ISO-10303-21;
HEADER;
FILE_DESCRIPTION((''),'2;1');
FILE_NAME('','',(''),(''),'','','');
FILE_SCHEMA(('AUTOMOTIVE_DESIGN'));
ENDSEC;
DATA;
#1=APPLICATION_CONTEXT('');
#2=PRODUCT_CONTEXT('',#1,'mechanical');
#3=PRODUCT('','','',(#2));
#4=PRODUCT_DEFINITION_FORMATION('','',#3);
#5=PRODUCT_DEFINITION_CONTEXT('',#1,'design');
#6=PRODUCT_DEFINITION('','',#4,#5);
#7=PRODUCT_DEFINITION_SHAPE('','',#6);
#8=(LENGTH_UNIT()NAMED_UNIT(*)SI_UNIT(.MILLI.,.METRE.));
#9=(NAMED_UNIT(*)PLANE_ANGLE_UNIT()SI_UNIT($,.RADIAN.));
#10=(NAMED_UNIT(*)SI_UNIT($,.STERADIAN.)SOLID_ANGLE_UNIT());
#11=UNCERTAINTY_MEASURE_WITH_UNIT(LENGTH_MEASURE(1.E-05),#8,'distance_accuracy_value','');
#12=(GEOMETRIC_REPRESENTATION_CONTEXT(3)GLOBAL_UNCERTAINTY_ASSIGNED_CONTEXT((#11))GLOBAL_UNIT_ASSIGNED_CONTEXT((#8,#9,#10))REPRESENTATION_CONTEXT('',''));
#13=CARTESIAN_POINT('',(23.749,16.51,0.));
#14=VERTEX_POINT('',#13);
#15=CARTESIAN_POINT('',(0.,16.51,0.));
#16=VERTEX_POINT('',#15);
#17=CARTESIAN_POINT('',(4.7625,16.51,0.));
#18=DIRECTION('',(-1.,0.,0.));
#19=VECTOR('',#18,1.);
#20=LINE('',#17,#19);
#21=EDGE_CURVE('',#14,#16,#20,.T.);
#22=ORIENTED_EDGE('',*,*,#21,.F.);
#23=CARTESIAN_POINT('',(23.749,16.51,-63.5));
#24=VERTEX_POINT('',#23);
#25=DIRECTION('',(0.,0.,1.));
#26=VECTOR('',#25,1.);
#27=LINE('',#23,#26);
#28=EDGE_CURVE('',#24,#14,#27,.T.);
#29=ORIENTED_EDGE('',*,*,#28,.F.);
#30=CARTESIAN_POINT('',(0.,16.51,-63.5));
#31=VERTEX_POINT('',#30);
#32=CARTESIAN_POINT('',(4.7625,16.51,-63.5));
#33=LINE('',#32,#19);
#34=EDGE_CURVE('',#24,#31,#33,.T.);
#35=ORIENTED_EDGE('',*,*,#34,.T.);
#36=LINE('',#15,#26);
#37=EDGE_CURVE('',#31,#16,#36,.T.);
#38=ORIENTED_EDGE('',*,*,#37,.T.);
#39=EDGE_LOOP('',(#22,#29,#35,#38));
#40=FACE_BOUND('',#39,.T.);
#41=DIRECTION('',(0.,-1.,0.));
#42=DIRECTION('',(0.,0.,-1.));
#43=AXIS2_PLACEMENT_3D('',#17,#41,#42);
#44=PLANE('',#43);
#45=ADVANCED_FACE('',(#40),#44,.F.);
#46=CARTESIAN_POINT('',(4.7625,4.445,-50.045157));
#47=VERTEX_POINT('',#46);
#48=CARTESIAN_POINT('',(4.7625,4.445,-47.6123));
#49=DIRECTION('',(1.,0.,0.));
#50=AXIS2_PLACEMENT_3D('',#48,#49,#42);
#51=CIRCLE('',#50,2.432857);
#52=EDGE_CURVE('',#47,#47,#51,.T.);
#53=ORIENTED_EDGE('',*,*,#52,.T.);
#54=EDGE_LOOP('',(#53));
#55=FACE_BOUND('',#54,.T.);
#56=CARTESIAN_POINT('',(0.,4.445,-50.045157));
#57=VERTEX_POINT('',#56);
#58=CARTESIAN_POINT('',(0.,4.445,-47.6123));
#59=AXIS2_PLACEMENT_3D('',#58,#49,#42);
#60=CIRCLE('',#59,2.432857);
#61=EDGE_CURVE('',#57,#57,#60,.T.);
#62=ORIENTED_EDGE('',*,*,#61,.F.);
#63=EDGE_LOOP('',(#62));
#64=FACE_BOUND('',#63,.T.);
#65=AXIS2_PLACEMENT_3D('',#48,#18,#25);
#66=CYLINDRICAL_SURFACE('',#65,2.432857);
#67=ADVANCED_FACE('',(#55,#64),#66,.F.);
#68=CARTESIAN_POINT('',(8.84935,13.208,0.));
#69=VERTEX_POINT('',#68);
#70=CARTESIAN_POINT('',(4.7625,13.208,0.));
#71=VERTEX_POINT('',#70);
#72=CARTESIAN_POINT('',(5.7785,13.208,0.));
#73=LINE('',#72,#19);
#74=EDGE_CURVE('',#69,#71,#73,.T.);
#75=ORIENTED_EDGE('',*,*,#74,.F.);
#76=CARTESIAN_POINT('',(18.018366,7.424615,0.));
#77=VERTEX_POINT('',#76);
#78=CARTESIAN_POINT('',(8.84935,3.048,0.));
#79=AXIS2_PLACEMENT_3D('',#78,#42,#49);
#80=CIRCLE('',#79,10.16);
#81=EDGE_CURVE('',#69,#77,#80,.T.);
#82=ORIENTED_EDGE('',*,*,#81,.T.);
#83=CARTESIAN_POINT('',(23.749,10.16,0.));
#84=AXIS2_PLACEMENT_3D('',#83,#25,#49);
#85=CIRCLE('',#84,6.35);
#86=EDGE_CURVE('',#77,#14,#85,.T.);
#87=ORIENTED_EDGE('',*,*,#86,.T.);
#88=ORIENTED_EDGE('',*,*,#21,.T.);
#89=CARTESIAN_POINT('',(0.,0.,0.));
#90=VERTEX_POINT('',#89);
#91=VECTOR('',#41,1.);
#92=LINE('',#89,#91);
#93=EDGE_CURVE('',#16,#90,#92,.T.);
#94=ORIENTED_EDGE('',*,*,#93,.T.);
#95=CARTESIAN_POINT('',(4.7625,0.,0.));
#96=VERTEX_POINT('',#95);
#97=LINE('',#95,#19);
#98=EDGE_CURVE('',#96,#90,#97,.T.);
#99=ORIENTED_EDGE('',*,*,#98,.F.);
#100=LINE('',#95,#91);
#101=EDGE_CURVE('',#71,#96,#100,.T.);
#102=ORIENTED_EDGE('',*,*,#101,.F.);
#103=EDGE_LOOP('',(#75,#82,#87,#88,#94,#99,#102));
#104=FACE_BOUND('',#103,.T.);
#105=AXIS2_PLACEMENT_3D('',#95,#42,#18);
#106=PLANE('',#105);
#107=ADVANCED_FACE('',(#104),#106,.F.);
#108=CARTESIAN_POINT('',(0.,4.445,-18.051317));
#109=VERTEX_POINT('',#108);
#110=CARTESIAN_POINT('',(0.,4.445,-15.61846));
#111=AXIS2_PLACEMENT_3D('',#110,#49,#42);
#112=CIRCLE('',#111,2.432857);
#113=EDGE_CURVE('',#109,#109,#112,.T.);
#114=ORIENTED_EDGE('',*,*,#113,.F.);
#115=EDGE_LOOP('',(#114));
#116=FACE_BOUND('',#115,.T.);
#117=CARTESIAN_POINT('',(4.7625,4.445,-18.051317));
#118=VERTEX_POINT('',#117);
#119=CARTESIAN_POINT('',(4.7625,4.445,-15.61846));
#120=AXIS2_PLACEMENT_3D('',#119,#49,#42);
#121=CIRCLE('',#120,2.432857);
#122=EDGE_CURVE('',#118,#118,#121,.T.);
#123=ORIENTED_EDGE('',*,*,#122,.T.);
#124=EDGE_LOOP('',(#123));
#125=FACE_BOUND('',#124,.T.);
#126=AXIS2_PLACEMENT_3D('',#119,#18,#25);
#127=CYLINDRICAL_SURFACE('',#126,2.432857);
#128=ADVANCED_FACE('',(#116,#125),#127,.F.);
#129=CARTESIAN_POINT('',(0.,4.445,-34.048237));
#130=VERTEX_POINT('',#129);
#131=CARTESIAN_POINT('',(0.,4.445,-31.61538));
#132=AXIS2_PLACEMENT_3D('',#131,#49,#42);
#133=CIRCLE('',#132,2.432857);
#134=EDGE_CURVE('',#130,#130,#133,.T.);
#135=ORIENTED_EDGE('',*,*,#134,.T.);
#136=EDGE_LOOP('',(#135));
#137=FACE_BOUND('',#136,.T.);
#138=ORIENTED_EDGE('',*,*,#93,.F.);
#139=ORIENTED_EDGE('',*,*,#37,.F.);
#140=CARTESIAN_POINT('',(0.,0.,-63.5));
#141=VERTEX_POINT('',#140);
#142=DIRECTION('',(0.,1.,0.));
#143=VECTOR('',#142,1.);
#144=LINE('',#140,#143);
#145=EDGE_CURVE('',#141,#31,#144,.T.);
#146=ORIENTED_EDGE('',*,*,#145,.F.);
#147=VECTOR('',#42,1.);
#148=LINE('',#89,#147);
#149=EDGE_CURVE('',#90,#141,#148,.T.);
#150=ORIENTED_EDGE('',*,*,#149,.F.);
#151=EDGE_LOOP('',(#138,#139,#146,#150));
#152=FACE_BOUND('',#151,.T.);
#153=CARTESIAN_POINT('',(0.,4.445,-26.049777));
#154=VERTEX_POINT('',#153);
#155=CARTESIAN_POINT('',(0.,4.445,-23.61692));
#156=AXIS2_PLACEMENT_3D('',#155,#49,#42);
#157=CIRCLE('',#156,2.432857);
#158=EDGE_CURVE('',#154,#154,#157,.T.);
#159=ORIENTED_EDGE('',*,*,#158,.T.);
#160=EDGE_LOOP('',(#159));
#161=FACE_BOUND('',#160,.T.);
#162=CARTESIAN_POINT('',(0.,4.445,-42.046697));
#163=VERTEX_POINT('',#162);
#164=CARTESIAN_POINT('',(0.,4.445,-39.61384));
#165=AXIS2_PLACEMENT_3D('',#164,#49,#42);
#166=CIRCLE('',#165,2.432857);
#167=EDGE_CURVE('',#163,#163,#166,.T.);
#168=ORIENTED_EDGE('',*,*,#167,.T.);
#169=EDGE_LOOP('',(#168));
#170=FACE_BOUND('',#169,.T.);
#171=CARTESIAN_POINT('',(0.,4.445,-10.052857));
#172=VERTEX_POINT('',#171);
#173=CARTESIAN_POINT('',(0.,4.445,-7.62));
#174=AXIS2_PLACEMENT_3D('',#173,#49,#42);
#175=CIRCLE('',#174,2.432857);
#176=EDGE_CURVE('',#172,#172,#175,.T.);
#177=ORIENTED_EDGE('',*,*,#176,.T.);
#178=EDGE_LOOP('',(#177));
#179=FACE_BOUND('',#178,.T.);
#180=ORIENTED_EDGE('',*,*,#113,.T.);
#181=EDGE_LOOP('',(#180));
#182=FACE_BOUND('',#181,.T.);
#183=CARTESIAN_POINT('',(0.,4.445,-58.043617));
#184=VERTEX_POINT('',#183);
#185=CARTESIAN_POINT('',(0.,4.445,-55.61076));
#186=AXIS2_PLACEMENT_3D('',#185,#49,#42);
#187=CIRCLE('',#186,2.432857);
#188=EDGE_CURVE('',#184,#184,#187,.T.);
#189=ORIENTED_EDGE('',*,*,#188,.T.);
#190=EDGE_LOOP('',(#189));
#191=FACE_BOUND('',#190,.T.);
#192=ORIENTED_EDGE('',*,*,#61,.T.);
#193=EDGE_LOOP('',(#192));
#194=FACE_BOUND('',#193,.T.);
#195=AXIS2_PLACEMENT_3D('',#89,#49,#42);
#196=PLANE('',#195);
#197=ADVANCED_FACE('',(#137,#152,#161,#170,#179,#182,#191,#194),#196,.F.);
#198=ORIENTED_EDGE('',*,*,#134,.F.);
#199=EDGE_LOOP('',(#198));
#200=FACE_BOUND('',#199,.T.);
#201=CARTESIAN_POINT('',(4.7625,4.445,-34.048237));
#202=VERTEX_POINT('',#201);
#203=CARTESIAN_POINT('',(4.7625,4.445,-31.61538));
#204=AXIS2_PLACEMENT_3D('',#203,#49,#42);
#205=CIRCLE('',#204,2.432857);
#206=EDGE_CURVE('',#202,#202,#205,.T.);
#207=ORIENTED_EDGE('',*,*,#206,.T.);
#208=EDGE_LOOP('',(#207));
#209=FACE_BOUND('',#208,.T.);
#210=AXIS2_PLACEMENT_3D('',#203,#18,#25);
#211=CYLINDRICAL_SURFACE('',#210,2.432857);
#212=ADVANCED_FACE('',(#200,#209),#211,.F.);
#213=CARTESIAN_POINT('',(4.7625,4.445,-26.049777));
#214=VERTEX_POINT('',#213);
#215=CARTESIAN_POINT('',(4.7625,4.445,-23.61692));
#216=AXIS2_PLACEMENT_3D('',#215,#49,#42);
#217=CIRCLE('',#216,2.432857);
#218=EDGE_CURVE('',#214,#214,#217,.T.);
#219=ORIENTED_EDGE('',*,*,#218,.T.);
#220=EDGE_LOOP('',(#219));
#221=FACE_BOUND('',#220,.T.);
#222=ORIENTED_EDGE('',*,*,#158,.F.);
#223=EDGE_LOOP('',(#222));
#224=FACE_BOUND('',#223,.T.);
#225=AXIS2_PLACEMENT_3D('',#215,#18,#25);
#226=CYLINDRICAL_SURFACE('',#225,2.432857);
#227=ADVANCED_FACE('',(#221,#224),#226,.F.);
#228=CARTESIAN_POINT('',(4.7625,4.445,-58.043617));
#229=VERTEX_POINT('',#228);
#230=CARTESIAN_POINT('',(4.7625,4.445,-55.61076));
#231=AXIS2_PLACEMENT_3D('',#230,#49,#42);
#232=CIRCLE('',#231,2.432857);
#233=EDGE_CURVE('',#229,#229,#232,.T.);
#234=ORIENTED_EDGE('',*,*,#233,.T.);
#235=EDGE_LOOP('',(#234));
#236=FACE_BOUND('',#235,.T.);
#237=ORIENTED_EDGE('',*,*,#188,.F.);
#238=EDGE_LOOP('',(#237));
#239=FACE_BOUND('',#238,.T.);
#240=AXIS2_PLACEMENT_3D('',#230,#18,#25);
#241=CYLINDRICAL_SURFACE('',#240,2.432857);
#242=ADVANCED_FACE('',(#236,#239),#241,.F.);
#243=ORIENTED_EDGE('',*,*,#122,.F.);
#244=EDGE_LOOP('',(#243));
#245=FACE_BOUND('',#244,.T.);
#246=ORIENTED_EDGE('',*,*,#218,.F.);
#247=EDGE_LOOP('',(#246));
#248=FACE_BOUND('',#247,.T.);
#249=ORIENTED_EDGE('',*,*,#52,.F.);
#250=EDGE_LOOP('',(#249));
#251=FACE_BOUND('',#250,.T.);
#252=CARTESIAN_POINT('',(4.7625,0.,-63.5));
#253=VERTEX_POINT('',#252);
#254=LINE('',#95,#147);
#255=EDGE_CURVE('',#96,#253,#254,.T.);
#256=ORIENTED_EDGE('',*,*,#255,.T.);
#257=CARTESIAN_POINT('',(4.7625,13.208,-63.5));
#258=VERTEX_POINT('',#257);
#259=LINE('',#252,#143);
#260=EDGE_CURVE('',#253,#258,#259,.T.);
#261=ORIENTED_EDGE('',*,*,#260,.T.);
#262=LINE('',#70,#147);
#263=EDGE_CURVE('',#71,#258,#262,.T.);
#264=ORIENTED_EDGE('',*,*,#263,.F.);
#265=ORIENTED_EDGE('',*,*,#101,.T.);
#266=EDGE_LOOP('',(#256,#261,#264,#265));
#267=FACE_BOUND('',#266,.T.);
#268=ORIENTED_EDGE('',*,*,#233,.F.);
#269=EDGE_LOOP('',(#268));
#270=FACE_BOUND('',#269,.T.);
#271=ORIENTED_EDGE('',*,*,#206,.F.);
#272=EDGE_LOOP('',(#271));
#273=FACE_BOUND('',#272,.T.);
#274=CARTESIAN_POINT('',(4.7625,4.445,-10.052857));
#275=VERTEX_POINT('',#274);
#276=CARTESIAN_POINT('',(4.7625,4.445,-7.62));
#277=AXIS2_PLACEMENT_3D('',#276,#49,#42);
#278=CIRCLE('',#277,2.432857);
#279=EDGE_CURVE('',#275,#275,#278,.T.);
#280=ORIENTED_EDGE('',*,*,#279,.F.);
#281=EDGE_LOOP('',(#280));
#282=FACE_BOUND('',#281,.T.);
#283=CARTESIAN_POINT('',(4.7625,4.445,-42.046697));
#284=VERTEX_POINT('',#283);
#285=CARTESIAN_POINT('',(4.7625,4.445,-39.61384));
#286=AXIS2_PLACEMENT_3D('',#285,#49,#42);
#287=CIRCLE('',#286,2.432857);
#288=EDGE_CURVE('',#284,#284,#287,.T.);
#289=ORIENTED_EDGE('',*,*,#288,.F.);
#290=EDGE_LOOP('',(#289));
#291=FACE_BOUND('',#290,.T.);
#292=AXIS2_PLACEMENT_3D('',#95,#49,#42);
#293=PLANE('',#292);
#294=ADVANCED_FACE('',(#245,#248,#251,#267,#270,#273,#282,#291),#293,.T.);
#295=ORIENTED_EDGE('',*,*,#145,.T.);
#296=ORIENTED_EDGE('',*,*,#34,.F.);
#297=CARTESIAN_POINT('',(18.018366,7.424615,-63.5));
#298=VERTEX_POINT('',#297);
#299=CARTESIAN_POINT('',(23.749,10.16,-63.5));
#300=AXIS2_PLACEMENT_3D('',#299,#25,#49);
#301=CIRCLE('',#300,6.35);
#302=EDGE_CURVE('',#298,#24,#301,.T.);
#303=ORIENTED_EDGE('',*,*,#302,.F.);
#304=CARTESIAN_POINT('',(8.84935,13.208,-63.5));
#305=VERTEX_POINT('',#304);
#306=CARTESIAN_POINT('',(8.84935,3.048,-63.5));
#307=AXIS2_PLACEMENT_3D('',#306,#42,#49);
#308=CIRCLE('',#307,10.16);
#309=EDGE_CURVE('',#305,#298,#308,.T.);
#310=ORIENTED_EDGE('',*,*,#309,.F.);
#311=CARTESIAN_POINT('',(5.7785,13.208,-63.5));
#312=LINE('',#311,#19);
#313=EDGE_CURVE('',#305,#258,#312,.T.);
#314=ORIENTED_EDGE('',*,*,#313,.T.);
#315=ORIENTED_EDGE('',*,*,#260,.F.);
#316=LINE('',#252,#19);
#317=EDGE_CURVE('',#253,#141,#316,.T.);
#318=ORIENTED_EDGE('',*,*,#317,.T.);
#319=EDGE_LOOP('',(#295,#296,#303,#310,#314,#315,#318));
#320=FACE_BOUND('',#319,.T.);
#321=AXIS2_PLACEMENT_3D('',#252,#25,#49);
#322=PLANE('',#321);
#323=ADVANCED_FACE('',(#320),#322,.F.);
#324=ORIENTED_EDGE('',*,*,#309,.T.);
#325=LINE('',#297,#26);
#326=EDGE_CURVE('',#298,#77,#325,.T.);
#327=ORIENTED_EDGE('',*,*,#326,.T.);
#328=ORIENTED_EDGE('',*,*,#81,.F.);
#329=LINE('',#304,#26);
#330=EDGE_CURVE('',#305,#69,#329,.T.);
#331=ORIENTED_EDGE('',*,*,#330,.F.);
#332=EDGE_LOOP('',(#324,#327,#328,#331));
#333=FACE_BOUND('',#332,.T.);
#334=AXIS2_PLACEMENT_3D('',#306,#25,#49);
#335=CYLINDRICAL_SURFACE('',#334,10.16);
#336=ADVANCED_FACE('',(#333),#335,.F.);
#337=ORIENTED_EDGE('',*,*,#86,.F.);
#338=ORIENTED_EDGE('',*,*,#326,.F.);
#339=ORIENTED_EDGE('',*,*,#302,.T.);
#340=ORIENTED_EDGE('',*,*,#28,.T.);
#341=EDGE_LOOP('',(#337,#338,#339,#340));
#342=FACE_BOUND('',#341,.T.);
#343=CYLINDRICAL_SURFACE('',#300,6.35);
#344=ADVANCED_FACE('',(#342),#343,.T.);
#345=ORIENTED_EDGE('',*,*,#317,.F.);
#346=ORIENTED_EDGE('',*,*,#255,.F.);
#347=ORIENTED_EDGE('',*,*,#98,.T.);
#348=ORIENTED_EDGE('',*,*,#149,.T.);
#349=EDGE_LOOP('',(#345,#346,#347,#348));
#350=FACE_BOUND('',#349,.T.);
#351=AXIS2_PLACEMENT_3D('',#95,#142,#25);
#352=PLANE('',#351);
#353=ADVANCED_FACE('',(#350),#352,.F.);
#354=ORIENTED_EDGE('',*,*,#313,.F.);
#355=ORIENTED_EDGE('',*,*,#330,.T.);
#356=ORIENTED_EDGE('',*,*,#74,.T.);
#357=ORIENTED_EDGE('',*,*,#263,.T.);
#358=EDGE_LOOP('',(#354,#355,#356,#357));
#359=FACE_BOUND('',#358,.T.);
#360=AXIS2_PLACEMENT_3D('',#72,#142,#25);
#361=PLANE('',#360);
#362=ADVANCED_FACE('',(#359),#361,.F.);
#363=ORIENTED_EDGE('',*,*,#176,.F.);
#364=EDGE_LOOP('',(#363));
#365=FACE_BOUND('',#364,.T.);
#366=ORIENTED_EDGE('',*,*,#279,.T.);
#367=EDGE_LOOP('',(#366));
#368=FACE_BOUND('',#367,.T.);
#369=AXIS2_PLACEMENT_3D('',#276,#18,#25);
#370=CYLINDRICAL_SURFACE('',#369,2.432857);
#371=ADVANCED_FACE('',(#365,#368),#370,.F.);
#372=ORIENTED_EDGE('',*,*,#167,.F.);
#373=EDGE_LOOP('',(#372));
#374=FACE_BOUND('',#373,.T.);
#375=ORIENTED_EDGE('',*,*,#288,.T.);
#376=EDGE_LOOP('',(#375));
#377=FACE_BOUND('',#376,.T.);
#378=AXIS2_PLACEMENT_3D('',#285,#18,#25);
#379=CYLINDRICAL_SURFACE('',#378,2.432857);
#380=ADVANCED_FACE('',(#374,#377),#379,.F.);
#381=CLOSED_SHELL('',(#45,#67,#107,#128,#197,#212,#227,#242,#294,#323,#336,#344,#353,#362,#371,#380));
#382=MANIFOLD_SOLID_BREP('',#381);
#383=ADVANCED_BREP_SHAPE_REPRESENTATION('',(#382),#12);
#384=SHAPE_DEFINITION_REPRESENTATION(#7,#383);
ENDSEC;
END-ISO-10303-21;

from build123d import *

# Parameters (mm, degrees)
SKETCH1_W        = 16.51
SKETCH1_H        = 63.5
SKETCH1_R        = 2.432856576
EXTRUSION1_DEPTH = 4.7625
SKETCH2_W        = 63.5
SKETCH2_H        = 3.302
EXTRUSION2_DEPTH = 1.016
EXTRUSION3_DEPTH = 63.5


with BuildPart() as part:
    # Sketch1 → Extrusion1 (new body)
    with BuildSketch(Plane.YZ):
        with Locations((8.255, -31.75)):
            Rectangle(SKETCH1_W, SKETCH1_H)
        with Locations((4.445, -55.61076)):
            Circle(SKETCH1_R, mode=Mode.SUBTRACT)
        with Locations((4.445, -47.6123)):
            Circle(SKETCH1_R, mode=Mode.SUBTRACT)
        with Locations((4.445, -39.61384)):
            Circle(SKETCH1_R, mode=Mode.SUBTRACT)
        with Locations((4.445, -31.61538)):
            Circle(SKETCH1_R, mode=Mode.SUBTRACT)
        with Locations((4.445, -23.61692)):
            Circle(SKETCH1_R, mode=Mode.SUBTRACT)
        with Locations((4.445, -15.61846)):
            Circle(SKETCH1_R, mode=Mode.SUBTRACT)
        with Locations((4.445, -7.62)):
            Circle(SKETCH1_R, mode=Mode.SUBTRACT)
    extrude(amount=EXTRUSION1_DEPTH)

    # Sketch2 → Extrusion2 (add)
    with BuildSketch(Plane(origin=(4.7625, 0, 0), x_dir=(0, 0, -1), z_dir=(1, 0, 0))):
        with Locations((31.75, 14.859)):
            Rectangle(SKETCH2_W, SKETCH2_H)
    extrude(amount=EXTRUSION2_DEPTH)

    # Sketch3 → Extrusion3 (add)
    with BuildSketch(Plane.XY):
        with BuildLine():
            Line((23.749, 16.51), (5.7785, 16.51))
            Line((5.7785, 16.51), (5.7785, 13.208))
            Line((5.7785, 13.208), (8.849350474, 13.208))
            ThreePointArc((8.849350474, 13.208), (14.269645101, 11.641369895), (18.018365567, 7.424615385))
            ThreePointArc((18.018365567, 7.424615385), (29.119856184, 6.772315858), (23.749, 16.51))
        make_face()
    extrude(amount=-EXTRUSION3_DEPTH)


solid = part.part
